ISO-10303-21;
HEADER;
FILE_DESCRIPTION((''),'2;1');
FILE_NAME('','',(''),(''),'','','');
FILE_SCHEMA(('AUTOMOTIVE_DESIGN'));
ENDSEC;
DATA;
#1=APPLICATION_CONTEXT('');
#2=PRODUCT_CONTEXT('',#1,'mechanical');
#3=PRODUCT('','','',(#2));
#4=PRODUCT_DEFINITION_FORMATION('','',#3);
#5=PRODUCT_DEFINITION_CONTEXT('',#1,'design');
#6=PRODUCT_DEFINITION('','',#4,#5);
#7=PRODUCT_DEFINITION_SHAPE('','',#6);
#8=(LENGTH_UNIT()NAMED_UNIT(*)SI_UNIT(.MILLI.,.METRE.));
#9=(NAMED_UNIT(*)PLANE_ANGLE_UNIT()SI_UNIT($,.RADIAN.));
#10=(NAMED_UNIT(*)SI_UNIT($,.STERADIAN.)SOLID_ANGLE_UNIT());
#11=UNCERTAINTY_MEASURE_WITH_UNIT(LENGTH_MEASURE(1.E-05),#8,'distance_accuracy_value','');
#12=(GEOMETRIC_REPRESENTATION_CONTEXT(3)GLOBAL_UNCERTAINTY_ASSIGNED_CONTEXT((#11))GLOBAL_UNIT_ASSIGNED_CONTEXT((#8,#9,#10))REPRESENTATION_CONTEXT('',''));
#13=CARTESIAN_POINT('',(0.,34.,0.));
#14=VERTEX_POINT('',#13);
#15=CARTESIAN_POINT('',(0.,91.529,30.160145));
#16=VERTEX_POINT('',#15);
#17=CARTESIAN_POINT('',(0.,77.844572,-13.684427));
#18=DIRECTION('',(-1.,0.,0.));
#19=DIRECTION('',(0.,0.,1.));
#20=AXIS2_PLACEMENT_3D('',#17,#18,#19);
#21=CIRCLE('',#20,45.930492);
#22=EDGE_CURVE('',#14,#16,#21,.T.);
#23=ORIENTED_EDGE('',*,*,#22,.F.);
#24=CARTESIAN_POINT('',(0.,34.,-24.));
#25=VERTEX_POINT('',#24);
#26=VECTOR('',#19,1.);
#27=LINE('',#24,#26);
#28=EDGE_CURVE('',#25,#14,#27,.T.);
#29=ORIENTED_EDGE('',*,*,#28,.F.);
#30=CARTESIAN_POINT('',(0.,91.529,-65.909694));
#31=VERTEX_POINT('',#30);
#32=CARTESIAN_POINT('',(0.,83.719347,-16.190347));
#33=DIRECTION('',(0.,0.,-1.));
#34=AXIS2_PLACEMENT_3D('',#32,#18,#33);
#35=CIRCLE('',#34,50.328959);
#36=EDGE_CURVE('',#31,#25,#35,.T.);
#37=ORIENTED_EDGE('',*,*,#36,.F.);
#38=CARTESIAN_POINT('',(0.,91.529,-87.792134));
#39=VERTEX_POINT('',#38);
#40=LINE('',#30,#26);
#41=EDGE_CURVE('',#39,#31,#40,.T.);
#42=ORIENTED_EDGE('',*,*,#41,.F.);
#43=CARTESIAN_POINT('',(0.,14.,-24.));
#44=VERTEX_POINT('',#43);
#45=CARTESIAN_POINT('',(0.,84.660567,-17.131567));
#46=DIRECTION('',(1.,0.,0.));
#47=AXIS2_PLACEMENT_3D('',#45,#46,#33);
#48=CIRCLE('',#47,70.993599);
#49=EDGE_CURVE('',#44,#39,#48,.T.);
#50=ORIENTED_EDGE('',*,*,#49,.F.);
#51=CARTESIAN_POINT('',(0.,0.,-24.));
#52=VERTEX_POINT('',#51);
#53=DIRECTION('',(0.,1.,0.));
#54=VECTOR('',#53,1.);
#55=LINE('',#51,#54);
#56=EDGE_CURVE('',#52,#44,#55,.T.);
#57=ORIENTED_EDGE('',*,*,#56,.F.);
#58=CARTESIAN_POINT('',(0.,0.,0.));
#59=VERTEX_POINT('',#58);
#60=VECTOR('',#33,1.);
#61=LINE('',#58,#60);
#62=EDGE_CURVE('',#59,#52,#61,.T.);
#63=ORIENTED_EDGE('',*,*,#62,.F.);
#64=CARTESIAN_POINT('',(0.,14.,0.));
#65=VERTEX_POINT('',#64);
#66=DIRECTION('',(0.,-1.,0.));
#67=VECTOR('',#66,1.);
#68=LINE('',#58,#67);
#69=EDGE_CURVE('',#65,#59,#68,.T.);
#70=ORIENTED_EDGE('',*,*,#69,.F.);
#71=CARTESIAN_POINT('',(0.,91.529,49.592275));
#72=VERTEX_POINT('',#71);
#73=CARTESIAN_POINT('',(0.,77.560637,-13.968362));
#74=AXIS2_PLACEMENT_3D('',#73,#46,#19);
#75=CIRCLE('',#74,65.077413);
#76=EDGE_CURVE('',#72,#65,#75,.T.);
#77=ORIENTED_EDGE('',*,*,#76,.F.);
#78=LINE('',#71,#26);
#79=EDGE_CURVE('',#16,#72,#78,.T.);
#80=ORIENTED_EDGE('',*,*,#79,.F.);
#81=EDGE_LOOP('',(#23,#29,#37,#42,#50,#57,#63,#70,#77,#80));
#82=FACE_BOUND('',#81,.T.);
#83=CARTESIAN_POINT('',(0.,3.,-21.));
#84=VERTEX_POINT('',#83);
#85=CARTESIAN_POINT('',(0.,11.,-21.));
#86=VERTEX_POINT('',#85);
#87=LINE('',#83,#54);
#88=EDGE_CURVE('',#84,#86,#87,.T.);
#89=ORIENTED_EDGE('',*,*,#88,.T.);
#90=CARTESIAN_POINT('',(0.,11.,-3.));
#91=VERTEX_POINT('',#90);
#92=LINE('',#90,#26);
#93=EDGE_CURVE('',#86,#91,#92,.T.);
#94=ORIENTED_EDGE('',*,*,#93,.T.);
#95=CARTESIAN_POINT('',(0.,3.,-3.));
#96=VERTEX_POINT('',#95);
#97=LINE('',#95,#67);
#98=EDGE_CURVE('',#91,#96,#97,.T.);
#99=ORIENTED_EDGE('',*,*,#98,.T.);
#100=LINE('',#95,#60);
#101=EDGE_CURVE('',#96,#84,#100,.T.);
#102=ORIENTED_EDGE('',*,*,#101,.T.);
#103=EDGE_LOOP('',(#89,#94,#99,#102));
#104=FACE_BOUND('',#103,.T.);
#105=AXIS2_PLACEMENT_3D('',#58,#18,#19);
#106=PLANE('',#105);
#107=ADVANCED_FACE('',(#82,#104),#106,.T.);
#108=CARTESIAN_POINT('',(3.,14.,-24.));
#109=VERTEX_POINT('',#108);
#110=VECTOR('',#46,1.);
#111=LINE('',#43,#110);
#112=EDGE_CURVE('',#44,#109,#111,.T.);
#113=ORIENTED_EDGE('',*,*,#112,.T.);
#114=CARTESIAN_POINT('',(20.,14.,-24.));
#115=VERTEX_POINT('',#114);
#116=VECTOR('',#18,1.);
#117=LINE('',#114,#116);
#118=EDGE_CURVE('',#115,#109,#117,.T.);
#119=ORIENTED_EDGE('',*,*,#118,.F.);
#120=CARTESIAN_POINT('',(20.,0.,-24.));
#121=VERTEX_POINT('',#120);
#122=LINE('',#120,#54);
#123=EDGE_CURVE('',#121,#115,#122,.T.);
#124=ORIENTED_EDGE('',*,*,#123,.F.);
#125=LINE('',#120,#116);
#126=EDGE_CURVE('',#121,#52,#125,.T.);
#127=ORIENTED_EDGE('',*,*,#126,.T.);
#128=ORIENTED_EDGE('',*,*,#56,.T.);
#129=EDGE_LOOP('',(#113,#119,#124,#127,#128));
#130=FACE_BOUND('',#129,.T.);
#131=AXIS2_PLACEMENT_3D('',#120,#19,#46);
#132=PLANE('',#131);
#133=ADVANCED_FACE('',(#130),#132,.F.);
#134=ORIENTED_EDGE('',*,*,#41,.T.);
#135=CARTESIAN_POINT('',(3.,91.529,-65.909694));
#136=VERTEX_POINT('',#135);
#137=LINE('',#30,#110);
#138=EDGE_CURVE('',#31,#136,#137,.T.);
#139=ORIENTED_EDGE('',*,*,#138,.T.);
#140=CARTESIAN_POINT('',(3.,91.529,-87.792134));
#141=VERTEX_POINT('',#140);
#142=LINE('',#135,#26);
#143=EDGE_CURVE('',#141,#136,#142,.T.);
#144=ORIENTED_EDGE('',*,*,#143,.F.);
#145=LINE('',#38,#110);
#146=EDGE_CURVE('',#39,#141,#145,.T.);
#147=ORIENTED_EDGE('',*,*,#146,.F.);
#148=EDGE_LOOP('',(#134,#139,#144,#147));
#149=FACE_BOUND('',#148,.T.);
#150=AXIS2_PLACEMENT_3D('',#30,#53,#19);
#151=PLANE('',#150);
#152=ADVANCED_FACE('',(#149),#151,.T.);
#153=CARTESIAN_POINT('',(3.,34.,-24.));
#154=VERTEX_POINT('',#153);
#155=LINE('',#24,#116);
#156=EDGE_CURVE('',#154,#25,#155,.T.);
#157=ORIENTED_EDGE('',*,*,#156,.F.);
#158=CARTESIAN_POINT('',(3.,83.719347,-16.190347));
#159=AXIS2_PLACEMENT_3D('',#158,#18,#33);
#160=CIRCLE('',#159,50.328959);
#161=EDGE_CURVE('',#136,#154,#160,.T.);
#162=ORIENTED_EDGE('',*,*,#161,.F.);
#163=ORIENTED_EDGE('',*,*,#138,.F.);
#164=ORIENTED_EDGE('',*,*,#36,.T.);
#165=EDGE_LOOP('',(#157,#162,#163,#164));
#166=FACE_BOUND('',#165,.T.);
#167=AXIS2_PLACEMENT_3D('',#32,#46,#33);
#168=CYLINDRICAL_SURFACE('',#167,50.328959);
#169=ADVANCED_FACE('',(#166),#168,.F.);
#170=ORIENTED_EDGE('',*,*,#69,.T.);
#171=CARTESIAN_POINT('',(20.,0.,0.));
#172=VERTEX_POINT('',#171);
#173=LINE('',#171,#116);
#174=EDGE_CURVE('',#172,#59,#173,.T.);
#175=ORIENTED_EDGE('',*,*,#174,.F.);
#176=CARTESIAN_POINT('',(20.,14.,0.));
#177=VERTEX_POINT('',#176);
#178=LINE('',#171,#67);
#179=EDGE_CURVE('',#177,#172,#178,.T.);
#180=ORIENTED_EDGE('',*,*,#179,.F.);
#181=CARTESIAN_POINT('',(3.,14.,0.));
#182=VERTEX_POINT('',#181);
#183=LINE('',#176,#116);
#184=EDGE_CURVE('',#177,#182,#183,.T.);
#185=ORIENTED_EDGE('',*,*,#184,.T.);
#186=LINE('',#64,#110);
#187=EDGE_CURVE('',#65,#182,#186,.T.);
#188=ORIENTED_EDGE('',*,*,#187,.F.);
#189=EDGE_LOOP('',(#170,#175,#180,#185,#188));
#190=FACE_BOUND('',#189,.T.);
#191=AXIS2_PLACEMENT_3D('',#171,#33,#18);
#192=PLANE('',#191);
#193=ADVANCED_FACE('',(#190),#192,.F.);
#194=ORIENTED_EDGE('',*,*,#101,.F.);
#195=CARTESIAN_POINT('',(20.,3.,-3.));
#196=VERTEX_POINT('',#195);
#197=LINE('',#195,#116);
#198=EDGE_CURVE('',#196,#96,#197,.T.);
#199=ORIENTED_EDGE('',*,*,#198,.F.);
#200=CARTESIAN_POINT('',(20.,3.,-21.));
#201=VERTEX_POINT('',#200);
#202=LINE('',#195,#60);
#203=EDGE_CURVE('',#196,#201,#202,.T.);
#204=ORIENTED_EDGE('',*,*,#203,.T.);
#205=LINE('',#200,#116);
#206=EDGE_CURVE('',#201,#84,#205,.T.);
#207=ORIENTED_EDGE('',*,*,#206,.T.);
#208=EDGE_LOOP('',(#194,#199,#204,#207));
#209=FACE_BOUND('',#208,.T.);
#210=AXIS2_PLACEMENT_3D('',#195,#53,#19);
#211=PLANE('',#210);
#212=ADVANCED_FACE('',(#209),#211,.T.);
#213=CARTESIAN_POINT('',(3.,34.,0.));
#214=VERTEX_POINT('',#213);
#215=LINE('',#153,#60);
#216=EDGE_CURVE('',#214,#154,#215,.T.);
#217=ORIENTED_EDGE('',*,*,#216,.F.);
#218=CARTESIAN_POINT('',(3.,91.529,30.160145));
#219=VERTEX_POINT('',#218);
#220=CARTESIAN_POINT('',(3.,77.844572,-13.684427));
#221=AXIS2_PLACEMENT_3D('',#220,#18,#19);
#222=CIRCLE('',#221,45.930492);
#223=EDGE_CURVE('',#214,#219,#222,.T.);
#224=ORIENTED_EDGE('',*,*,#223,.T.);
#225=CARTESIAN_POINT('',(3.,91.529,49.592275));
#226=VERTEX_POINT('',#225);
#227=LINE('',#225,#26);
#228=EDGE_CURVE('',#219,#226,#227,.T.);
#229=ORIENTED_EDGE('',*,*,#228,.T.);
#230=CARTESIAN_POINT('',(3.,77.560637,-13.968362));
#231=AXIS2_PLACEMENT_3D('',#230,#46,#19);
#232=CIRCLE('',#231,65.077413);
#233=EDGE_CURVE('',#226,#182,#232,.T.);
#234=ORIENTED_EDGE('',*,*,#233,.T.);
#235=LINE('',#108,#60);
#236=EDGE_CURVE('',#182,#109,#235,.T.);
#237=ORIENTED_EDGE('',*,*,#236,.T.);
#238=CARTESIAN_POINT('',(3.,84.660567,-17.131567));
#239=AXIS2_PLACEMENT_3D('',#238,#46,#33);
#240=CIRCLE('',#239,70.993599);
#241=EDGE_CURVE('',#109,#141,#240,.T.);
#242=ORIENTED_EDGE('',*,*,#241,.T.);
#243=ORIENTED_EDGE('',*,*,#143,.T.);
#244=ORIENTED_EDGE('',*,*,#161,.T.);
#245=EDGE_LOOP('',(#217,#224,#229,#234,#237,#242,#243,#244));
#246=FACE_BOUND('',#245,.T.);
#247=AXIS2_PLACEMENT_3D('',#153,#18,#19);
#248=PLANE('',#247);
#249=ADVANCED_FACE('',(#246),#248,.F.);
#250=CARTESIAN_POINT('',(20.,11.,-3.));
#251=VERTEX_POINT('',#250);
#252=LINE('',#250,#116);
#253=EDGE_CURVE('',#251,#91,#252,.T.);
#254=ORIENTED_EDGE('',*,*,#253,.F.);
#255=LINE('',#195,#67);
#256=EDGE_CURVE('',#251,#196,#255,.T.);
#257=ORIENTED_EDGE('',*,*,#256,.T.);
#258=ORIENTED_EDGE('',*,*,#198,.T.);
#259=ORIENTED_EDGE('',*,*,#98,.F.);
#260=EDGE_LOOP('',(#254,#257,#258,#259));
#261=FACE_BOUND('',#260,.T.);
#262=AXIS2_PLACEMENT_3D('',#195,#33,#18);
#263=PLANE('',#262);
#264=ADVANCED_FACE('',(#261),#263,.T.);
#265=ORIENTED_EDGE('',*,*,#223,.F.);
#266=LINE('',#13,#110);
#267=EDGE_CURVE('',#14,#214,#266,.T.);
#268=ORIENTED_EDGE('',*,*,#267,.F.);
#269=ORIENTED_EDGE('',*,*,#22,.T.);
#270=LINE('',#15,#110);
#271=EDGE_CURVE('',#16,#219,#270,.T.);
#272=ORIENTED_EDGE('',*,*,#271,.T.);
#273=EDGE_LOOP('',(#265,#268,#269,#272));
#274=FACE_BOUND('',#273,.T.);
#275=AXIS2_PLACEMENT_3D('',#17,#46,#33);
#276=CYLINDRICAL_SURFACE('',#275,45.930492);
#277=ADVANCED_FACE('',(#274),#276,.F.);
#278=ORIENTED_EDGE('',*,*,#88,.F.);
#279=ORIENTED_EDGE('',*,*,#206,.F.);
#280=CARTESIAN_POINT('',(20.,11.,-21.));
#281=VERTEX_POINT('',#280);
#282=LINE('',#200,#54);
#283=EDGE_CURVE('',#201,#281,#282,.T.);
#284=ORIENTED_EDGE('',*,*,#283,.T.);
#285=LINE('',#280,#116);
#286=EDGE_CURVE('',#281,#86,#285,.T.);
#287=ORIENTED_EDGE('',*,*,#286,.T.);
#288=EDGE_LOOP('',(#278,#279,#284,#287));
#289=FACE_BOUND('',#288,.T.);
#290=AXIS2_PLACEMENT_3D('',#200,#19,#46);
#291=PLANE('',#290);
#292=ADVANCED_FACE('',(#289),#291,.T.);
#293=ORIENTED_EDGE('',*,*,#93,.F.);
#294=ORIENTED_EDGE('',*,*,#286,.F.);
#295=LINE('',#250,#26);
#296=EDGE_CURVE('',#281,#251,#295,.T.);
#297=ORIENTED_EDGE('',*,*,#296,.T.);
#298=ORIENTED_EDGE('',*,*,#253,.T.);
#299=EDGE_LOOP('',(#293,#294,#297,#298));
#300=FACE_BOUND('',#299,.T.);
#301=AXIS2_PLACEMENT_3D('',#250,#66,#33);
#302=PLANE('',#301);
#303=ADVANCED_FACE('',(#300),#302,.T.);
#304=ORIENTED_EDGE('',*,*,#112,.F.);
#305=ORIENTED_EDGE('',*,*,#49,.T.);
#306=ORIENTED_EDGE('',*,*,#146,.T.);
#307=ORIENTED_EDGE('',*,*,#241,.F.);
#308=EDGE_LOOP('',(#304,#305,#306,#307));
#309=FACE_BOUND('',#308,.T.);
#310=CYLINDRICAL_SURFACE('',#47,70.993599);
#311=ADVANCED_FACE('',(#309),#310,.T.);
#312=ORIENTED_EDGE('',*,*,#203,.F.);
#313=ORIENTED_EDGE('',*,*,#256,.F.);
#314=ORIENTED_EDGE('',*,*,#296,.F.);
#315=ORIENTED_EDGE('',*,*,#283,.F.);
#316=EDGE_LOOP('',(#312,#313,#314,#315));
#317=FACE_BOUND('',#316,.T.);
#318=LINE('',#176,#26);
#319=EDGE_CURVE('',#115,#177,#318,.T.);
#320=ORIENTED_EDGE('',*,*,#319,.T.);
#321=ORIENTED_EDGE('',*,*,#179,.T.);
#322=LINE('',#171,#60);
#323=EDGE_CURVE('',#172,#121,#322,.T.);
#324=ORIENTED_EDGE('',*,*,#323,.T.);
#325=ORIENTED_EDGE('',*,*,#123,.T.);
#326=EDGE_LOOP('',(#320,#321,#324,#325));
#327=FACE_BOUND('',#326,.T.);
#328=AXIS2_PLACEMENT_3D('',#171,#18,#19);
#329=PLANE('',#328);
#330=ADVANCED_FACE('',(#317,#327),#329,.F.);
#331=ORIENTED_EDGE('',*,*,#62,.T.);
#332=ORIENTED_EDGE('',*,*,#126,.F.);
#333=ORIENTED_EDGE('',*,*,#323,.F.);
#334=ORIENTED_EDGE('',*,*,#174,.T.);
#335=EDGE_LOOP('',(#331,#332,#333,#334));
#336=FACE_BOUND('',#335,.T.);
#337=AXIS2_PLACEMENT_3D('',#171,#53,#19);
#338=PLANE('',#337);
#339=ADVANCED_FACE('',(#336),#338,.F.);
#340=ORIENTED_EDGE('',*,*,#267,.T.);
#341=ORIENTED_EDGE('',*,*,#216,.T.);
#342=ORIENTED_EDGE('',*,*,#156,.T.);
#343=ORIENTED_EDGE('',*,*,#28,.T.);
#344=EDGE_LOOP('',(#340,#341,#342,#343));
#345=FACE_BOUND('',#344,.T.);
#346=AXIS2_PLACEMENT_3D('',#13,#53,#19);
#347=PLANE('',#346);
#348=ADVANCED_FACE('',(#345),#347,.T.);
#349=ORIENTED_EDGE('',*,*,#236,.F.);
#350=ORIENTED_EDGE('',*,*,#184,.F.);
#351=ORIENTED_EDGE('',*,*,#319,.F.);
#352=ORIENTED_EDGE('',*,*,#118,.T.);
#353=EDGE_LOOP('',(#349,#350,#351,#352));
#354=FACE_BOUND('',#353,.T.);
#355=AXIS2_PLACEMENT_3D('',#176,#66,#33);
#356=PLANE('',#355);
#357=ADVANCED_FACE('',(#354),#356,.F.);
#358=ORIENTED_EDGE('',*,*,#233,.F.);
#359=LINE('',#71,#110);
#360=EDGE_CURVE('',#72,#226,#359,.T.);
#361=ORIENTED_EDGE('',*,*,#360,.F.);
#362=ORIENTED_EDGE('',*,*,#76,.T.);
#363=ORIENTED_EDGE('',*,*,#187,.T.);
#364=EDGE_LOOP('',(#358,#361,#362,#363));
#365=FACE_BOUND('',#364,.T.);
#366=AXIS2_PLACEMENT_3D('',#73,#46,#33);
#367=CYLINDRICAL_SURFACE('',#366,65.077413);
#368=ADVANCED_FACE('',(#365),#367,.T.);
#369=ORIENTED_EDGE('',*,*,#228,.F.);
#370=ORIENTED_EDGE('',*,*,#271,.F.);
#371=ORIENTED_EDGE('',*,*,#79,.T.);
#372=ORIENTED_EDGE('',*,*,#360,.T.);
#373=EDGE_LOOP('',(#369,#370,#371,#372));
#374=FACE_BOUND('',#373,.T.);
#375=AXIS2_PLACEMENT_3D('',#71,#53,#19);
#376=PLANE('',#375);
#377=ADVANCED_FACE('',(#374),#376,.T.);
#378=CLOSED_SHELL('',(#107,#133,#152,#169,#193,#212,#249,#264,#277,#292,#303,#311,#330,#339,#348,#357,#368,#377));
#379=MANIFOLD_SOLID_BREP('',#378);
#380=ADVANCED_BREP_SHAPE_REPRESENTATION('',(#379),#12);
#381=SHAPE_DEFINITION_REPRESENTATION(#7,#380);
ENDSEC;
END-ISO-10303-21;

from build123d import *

# Parameters (mm, degrees)
SKETCH1_W           = 24
SKETCH1_H           = 14
SKETCH1_W_2         = 18
SKETCH1_H_2         = 8
BOSS_EXTRUDE1_DEPTH = 20
SKETCH3_W           = 3
SKETCH3_H           = 24
BOSS_EXTRUDE2_DEPTH = 20
BOSS_EXTRUDE4_DEPTH = 3


with BuildPart() as part:
    # Sketch1 → Boss-Extrude1 (new body)
    with BuildSketch(Plane(origin=(0, 0, 0), x_dir=(0, 0, -1), z_dir=(1, 0, 0))):
        with Locations((12, 7)):
            Rectangle(SKETCH1_W, SKETCH1_H)
        with Locations((12, 7)):
            Rectangle(SKETCH1_W_2, SKETCH1_H_2, mode=Mode.SUBTRACT)
    extrude(amount=BOSS_EXTRUDE1_DEPTH)

    # Sketch3 → Boss-Extrude2 (add)
    with BuildSketch(Plane(origin=(0, 14, 0), x_dir=(1, 0, 0), z_dir=(0, 1, 0))):
        with Locations((1.5, 12)):
            Rectangle(SKETCH3_W, SKETCH3_H)
    extrude(amount=BOSS_EXTRUDE2_DEPTH)

    # Sketch5 → Boss-Extrude4 (add)
    with BuildSketch(Plane(origin=(3, 0, 0), x_dir=(0, 0, -1), z_dir=(1, 0, 0))):
        with BuildLine():
            Line((-49.592274582, 91.528999548), (-30.16014503, 91.528999548))
            ThreePointArc((-30.16014503, 91.528999548), (-26.994718436, 56.518129217), (0, 34))
            Line((0, 34), (0, 14))
            ThreePointArc((0, 14), (-40.852918836, 42.493603413), (-49.592274582, 91.528999548))
        make_face()
        with BuildLine():
            Line((65.909693645, 91.528999548), (87.792134304, 91.528999548))
            ThreePointArc((87.792134304, 91.528999548), (71.952848697, 39.552716173), (24, 14))
            Line((24, 14), (24, 34))
            ThreePointArc((24, 34), (56.869492744, 54.084718023), (65.909693645, 91.528999548))
        make_face()
    extrude(amount=-BOSS_EXTRUDE4_DEPTH)


solid = part.part
